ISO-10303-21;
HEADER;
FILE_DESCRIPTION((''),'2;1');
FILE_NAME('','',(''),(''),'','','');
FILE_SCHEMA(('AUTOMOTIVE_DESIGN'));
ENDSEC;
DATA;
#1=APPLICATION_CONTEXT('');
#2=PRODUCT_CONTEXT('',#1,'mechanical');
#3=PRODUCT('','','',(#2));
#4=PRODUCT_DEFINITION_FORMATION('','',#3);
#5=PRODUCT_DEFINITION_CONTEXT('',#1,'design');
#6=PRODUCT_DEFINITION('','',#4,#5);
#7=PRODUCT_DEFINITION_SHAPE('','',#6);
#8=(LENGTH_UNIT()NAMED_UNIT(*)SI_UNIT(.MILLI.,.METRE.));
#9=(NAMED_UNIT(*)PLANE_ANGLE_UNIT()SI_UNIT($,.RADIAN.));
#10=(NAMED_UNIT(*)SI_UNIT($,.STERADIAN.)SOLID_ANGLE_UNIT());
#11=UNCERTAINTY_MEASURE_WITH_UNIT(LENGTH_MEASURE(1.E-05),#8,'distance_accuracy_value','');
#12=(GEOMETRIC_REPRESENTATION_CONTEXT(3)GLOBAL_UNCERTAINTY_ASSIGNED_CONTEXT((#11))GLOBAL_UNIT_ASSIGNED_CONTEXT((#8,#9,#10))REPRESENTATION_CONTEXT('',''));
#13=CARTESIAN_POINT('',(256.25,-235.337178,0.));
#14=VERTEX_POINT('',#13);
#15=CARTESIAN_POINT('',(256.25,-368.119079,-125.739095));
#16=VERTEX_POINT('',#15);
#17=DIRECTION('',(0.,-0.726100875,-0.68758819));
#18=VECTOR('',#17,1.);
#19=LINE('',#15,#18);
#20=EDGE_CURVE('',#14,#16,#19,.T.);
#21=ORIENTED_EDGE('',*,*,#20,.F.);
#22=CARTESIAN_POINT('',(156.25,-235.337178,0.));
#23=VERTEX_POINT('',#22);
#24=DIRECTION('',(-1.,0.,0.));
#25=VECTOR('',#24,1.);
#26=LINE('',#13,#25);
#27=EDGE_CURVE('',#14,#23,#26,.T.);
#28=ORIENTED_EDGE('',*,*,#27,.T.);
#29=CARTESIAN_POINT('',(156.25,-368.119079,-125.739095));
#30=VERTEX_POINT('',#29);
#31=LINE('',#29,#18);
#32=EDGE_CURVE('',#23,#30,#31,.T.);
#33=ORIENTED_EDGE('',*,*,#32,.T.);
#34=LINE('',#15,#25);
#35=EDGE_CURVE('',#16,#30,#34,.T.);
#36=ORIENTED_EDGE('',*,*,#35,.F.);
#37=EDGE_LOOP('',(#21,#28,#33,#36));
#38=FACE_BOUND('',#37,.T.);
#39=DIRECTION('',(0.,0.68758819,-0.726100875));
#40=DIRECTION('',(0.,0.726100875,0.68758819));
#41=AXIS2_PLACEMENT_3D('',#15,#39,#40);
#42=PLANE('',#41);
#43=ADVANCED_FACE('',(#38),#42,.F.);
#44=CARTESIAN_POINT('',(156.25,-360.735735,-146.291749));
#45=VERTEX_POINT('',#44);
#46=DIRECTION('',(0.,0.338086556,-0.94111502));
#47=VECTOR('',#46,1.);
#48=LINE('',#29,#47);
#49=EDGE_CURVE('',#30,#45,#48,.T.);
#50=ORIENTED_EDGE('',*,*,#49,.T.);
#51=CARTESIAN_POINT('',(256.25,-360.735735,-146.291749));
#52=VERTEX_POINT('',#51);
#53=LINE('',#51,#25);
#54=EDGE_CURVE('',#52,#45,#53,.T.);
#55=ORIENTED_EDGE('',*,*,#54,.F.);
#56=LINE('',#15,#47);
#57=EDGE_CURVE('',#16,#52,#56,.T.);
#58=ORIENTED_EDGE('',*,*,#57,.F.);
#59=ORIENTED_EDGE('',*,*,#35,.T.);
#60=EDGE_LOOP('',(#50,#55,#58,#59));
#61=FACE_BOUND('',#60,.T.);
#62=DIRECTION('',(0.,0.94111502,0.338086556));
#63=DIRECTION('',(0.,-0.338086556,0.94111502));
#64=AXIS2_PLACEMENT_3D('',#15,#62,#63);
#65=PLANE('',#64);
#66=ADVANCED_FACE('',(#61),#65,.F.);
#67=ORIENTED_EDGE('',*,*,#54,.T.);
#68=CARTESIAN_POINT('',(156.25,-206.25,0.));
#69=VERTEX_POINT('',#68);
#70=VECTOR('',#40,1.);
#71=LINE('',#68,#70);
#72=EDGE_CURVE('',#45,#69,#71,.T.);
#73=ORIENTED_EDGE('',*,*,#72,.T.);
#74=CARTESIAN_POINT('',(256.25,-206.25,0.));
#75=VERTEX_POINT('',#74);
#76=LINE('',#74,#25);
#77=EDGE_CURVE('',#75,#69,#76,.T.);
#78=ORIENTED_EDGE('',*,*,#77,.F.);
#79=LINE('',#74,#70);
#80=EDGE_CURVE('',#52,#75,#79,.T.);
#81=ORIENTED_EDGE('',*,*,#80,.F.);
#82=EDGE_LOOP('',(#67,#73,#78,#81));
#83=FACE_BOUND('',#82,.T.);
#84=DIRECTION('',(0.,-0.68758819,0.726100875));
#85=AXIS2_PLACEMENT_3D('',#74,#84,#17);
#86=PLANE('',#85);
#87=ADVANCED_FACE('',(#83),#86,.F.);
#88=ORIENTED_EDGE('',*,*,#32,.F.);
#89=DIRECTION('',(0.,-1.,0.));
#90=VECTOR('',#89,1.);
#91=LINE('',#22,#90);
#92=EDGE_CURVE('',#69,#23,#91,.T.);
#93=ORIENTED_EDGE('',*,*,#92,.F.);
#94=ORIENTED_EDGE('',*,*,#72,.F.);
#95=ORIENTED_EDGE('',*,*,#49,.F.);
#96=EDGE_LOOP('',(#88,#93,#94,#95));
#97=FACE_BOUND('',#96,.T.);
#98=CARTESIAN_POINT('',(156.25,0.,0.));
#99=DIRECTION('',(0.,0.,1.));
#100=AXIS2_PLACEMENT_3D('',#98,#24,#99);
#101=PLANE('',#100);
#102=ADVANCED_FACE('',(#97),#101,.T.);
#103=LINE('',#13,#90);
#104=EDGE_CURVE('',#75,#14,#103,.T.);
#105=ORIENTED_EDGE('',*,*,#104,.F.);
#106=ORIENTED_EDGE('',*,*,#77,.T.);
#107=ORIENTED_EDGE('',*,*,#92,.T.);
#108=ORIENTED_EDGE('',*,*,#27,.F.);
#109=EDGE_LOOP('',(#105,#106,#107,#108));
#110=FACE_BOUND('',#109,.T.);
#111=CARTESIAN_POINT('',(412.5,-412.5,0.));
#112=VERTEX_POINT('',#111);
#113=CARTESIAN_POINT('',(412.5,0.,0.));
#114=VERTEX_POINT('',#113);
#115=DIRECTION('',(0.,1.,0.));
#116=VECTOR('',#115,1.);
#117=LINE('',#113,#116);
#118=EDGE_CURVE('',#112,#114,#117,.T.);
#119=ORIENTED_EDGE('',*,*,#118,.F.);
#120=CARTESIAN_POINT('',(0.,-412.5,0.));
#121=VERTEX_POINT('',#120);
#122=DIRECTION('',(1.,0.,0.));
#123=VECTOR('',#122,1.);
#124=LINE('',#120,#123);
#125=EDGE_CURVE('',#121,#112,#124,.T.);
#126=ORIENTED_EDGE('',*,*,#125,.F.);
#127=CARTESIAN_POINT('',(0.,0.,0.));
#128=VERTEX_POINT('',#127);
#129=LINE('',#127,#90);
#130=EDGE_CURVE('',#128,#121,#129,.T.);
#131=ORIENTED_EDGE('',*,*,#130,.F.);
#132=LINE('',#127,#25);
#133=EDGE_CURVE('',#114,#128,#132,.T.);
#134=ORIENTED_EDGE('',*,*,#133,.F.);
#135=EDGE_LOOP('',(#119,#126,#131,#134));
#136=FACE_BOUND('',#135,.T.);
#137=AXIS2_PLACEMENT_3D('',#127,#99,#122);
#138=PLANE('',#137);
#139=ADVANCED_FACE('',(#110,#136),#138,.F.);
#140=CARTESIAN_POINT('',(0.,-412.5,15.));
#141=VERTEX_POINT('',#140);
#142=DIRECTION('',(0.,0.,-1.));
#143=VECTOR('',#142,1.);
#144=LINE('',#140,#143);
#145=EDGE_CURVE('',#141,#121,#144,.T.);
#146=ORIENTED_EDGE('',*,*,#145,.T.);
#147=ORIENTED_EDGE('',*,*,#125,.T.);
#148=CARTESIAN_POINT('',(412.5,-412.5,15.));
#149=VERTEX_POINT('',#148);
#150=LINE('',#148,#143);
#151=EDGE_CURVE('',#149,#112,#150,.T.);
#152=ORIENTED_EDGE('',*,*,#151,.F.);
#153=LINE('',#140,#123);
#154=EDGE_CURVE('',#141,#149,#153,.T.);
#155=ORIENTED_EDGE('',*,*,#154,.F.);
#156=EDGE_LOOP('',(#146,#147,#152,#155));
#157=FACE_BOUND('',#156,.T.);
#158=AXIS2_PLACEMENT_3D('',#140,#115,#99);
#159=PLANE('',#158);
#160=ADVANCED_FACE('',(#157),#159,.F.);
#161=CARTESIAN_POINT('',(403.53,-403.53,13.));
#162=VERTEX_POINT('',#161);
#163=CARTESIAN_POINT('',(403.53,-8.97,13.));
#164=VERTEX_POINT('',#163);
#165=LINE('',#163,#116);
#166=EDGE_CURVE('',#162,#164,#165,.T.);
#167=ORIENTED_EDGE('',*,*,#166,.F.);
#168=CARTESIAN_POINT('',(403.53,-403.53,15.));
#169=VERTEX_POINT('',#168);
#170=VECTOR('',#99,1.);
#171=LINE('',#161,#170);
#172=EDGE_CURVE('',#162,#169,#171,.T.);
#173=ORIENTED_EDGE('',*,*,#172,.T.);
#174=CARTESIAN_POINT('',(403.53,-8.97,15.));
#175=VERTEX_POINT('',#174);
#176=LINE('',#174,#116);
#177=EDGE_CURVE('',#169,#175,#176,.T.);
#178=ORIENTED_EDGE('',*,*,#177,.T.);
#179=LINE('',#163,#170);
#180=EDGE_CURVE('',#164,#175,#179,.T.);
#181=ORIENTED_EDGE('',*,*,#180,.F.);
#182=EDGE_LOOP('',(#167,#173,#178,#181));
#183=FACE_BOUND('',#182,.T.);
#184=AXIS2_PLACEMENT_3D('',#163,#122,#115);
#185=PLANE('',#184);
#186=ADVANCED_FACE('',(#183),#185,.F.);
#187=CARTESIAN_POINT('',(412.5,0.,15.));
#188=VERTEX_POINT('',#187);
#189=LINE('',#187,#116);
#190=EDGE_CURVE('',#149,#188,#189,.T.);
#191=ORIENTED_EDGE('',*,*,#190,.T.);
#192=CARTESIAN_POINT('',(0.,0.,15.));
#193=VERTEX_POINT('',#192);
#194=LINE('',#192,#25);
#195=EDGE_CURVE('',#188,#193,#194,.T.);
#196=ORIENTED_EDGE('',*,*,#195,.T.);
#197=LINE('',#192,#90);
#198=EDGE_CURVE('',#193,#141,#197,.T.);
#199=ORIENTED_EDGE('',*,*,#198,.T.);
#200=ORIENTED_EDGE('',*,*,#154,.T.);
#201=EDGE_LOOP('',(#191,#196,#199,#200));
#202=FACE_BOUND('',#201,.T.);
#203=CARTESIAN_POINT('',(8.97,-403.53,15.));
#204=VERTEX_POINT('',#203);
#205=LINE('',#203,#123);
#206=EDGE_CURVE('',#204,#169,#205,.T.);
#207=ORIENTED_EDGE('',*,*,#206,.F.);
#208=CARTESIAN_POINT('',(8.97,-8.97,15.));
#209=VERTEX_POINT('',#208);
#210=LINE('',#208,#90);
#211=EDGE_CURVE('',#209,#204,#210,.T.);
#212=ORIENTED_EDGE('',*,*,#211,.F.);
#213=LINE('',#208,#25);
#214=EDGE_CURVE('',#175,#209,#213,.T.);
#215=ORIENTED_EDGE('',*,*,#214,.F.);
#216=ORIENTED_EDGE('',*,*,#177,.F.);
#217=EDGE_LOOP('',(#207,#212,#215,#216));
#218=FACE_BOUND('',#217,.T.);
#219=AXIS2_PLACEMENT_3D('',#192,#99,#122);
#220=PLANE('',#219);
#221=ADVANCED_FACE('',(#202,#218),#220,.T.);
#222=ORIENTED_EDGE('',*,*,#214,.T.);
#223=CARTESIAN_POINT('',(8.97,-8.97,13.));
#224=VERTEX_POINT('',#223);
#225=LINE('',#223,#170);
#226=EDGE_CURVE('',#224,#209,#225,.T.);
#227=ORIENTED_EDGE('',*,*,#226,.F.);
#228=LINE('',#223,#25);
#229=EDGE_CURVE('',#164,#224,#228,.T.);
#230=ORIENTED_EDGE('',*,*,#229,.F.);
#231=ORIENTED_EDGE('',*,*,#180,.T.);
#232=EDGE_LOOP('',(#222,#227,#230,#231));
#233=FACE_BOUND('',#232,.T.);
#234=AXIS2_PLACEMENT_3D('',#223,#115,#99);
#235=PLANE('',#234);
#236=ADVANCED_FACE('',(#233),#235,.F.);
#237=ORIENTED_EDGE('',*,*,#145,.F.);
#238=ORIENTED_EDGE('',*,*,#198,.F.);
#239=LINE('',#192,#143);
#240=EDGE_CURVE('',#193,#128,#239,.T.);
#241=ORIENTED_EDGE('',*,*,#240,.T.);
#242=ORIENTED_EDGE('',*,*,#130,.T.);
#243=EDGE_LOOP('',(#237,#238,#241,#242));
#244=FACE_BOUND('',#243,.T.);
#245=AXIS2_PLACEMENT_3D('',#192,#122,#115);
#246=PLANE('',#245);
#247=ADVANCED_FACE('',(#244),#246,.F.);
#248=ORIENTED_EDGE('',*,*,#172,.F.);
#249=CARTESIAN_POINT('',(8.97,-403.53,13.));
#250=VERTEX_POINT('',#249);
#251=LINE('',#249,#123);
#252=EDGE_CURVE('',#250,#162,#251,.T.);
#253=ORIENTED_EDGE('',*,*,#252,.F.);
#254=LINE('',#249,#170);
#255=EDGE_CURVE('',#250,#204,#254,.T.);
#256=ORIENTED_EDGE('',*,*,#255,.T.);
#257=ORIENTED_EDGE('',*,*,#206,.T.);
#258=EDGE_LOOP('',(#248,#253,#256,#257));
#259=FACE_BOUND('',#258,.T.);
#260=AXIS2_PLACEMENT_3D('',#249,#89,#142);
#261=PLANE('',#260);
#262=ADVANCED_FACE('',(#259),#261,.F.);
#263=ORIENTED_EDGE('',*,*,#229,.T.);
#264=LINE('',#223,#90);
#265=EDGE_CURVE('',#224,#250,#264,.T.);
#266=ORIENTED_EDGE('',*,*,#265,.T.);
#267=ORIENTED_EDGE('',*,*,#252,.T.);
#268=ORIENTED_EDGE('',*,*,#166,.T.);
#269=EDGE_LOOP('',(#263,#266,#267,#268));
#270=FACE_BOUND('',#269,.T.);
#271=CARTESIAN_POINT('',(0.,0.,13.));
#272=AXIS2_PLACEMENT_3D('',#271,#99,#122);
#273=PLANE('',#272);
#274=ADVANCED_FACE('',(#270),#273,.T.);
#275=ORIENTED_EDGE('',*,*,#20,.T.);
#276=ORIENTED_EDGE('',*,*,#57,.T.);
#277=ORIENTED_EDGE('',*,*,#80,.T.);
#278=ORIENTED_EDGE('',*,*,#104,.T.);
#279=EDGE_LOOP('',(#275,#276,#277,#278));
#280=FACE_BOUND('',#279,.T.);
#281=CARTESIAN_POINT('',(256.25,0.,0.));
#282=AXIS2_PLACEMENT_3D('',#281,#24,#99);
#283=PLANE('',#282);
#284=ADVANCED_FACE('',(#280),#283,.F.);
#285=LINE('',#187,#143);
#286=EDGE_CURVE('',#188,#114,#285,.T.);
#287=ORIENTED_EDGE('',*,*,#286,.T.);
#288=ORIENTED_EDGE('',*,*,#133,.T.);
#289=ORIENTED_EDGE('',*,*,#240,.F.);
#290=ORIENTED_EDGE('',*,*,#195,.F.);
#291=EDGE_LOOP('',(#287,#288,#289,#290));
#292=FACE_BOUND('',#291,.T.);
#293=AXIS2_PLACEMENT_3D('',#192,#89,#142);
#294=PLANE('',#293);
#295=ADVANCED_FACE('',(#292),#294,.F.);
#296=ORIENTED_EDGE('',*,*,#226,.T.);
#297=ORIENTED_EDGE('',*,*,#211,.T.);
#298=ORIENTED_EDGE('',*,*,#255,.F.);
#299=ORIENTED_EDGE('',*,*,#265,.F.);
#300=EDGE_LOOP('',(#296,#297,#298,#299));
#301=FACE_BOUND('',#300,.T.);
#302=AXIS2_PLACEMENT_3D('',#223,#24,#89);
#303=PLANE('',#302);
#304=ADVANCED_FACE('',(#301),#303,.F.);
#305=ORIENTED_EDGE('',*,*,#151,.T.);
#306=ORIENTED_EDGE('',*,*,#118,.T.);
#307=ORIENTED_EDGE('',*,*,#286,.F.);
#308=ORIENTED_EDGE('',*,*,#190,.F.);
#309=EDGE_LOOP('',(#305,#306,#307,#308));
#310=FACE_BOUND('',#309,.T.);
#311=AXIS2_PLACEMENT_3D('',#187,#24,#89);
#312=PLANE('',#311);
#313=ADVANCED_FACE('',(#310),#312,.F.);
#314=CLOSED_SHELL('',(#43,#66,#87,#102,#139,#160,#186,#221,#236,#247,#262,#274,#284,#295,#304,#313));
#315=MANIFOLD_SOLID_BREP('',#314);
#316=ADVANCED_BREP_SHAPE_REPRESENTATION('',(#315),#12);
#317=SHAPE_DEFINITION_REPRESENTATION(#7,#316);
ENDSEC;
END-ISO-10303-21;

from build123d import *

# Parameters (mm, degrees)
SKIZZE1_W                       = 412.5
SKIZZE1_H                       = 412.5
AUFSATZ_LINEAR_AUSTRAGEN1_DEPTH = 15
SKIZZE2_W                       = 394.56
SKIZZE2_H                       = 394.56
SCHNITT_LINEAR_AUSTRAGEN1_DEPTH = 2
AUFSATZ_LINEAR_START            = -256.25
AUFSATZ_LINEAR_AUSTRAGEN2_DEPTH = 100


with BuildPart() as part:
    # Skizze1 → Aufsatz-Linear austragen1 (new body)
    with BuildSketch(Plane.XY):
        with Locations((206.25, -206.25)):
            Rectangle(SKIZZE1_W, SKIZZE1_H)
    extrude(amount=AUFSATZ_LINEAR_AUSTRAGEN1_DEPTH)

    # Skizze2 → Schnitt-Linear austragen1 (cut)
    with BuildSketch(Plane.XY.offset(15)):
        with Locations((206.25, -206.25)):
            Rectangle(SKIZZE2_W, SKIZZE2_H)
    extrude(amount=-SCHNITT_LINEAR_AUSTRAGEN1_DEPTH, mode=Mode.SUBTRACT)

    # Skizze3 → Aufsatz-Linear austragen2 (add)
    with BuildSketch(Plane(origin=(412.5, 0, 0), x_dir=(0, 0, -1), z_dir=(1, 0, 0)).offset(AUFSATZ_LINEAR_START)):
        Polygon((0, -206.25), (146.291749205, -360.735735275), (125.739095453, -368.119079257), (0, -235.337177889), align=None)
    extrude(amount=AUFSATZ_LINEAR_AUSTRAGEN2_DEPTH)


solid = part.part
